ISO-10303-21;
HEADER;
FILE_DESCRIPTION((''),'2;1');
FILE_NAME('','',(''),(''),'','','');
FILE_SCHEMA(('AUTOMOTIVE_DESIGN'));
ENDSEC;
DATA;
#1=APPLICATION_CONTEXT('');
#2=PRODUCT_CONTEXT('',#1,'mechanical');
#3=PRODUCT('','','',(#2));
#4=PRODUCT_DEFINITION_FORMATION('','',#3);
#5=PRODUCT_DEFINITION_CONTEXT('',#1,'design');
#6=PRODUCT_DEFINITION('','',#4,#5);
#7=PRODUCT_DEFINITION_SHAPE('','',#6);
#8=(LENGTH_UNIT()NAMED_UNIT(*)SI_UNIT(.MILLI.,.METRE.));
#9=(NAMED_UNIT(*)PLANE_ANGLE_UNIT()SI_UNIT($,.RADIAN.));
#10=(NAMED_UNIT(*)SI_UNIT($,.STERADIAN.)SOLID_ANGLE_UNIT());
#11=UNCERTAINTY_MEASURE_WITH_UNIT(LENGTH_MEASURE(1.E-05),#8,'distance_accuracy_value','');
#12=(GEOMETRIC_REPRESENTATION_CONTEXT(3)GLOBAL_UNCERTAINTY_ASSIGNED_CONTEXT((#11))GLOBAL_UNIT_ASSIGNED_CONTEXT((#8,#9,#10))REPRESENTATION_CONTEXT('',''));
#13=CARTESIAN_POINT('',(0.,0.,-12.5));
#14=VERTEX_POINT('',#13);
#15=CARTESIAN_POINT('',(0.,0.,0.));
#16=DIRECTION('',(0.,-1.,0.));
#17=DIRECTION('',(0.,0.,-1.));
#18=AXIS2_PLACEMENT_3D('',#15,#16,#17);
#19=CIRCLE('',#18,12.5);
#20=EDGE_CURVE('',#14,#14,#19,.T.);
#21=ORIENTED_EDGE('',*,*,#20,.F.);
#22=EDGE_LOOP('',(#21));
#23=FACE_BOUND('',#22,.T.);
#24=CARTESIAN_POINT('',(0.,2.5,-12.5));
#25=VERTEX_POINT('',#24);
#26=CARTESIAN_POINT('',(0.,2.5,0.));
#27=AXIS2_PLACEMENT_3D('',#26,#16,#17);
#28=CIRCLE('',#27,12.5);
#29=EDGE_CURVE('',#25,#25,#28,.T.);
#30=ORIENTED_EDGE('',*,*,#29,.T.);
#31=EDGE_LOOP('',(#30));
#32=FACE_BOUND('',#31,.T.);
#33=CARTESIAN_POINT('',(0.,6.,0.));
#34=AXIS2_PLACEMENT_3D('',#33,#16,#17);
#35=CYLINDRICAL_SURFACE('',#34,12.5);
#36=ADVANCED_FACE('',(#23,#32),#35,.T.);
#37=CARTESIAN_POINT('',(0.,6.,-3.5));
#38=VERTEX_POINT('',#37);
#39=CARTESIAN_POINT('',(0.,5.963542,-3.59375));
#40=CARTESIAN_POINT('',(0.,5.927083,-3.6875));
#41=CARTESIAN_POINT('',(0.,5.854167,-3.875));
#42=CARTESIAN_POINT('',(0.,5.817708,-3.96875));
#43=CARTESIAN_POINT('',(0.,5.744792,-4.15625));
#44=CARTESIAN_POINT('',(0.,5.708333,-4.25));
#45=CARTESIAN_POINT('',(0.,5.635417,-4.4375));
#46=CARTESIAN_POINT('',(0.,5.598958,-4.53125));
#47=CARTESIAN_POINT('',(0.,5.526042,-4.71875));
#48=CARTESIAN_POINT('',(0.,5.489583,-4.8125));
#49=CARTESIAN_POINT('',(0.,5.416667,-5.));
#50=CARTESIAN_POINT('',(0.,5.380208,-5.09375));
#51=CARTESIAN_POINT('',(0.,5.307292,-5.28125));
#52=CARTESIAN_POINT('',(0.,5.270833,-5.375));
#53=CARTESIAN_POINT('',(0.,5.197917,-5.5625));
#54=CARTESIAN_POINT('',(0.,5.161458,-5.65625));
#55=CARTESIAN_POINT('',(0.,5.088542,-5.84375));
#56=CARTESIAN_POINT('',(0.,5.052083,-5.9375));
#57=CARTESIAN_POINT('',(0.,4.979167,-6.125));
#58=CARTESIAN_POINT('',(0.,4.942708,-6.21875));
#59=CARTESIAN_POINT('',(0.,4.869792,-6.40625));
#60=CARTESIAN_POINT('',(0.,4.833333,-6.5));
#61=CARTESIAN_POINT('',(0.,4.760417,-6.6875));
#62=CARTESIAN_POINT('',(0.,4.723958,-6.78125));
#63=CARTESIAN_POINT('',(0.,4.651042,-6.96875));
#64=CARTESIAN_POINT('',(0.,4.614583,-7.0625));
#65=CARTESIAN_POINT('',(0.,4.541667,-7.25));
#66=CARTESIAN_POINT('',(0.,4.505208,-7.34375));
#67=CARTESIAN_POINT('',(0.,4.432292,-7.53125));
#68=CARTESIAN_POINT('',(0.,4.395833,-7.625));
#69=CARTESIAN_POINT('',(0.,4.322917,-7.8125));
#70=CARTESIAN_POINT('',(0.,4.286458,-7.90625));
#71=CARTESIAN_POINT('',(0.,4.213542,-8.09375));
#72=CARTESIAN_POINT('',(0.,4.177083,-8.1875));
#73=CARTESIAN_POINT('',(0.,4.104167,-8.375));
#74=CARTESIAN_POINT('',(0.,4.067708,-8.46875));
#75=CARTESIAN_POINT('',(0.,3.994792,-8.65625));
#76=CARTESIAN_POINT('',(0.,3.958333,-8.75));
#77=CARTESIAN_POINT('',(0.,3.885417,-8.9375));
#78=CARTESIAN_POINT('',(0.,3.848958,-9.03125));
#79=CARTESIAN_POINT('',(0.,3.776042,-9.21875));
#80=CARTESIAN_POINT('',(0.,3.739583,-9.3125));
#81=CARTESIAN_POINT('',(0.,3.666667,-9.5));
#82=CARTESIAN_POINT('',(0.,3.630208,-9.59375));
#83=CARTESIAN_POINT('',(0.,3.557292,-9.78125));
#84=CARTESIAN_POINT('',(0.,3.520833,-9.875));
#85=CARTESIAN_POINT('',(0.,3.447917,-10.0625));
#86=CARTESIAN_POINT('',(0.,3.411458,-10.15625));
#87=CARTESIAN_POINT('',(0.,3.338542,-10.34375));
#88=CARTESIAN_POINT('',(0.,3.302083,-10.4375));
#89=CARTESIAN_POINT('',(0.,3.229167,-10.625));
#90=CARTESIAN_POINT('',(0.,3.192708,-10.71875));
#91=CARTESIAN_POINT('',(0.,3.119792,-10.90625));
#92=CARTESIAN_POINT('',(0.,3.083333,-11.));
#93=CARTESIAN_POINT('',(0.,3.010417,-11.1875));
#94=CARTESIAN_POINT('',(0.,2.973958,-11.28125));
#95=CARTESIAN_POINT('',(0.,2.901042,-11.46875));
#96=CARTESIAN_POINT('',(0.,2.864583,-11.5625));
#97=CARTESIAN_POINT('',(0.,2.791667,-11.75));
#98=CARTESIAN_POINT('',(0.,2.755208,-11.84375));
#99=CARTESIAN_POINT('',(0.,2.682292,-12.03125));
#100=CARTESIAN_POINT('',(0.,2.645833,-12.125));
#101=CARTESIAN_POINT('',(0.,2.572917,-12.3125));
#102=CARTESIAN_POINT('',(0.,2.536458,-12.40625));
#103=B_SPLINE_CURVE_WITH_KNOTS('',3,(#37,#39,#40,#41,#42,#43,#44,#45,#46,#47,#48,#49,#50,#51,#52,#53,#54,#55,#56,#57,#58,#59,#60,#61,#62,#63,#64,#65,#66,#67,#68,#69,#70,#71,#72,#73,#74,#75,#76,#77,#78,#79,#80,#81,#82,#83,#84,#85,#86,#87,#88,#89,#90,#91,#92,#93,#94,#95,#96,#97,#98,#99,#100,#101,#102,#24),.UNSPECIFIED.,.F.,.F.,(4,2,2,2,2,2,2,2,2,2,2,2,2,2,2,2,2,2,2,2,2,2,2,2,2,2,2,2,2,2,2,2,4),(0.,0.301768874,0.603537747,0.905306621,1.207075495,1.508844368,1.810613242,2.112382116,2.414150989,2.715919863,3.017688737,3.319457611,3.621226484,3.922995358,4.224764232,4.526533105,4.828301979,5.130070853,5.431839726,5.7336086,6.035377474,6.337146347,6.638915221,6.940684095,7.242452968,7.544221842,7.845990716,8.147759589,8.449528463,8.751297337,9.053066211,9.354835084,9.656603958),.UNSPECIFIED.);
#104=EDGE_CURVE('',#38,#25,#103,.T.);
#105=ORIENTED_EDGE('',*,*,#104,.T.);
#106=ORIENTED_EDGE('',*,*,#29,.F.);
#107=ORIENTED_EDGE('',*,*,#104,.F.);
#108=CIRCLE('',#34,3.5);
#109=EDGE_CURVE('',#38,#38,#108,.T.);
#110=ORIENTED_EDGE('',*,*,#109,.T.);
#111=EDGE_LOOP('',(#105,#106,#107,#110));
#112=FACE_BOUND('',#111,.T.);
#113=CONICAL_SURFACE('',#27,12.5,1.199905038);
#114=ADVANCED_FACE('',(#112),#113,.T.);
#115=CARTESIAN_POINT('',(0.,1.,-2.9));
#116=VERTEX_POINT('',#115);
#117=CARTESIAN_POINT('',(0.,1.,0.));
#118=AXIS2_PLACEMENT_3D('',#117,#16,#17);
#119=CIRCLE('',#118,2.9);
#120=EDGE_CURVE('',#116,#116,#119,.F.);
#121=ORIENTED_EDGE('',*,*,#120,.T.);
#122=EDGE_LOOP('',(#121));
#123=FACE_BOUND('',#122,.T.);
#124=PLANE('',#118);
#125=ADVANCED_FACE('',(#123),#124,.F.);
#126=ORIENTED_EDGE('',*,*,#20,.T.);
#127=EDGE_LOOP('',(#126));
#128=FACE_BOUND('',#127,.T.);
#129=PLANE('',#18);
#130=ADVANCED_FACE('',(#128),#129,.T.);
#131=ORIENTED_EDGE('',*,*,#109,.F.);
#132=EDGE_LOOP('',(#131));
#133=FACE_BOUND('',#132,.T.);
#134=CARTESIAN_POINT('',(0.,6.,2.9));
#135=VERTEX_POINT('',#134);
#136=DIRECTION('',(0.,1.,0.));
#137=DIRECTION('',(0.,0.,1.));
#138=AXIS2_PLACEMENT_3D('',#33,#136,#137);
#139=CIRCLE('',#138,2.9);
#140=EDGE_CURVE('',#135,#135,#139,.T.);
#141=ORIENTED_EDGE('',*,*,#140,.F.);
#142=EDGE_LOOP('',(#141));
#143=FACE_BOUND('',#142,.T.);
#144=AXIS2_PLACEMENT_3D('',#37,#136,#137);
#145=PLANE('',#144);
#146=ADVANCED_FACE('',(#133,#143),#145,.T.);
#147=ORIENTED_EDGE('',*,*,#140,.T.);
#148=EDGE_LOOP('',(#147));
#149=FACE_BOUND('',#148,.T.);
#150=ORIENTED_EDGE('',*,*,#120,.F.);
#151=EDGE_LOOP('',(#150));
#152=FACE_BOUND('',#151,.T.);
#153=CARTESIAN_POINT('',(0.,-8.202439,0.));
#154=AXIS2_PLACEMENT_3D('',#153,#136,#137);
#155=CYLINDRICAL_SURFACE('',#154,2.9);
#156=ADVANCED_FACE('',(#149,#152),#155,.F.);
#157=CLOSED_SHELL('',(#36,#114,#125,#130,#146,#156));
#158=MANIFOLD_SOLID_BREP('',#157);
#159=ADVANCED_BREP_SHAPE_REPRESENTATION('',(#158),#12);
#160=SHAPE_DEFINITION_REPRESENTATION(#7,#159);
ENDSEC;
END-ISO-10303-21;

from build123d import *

# Parameters (mm, degrees)
SKETCH2_R          = 2.9
CUT_EXTRUDE1_DEPTH = 5


with BuildPart() as part:
    # Sketch1 → Revolve1 (revolve)
    with BuildSketch(Plane(origin=(0, 0, 0), x_dir=(0, 0, -1), z_dir=(1, 0, 0))):
        Polygon((0, 0), (12.5, 0), (12.5, 2.5), (3.5, 6), (0, 6), align=None)
    revolve(axis=Axis((0, 6, 0), (0, 1, 0)))

    # Sketch2 → Cut-Extrude1 (cut)
    with BuildSketch(Plane(origin=(0, 6, 0), x_dir=(1, 0, 0), z_dir=(0, 1, 0))):
        with Locations(Location((0, 0, 0), (0, 0, 270))):
            Circle(SKETCH2_R)
    extrude(amount=-CUT_EXTRUDE1_DEPTH, mode=Mode.SUBTRACT)


solid = part.part
